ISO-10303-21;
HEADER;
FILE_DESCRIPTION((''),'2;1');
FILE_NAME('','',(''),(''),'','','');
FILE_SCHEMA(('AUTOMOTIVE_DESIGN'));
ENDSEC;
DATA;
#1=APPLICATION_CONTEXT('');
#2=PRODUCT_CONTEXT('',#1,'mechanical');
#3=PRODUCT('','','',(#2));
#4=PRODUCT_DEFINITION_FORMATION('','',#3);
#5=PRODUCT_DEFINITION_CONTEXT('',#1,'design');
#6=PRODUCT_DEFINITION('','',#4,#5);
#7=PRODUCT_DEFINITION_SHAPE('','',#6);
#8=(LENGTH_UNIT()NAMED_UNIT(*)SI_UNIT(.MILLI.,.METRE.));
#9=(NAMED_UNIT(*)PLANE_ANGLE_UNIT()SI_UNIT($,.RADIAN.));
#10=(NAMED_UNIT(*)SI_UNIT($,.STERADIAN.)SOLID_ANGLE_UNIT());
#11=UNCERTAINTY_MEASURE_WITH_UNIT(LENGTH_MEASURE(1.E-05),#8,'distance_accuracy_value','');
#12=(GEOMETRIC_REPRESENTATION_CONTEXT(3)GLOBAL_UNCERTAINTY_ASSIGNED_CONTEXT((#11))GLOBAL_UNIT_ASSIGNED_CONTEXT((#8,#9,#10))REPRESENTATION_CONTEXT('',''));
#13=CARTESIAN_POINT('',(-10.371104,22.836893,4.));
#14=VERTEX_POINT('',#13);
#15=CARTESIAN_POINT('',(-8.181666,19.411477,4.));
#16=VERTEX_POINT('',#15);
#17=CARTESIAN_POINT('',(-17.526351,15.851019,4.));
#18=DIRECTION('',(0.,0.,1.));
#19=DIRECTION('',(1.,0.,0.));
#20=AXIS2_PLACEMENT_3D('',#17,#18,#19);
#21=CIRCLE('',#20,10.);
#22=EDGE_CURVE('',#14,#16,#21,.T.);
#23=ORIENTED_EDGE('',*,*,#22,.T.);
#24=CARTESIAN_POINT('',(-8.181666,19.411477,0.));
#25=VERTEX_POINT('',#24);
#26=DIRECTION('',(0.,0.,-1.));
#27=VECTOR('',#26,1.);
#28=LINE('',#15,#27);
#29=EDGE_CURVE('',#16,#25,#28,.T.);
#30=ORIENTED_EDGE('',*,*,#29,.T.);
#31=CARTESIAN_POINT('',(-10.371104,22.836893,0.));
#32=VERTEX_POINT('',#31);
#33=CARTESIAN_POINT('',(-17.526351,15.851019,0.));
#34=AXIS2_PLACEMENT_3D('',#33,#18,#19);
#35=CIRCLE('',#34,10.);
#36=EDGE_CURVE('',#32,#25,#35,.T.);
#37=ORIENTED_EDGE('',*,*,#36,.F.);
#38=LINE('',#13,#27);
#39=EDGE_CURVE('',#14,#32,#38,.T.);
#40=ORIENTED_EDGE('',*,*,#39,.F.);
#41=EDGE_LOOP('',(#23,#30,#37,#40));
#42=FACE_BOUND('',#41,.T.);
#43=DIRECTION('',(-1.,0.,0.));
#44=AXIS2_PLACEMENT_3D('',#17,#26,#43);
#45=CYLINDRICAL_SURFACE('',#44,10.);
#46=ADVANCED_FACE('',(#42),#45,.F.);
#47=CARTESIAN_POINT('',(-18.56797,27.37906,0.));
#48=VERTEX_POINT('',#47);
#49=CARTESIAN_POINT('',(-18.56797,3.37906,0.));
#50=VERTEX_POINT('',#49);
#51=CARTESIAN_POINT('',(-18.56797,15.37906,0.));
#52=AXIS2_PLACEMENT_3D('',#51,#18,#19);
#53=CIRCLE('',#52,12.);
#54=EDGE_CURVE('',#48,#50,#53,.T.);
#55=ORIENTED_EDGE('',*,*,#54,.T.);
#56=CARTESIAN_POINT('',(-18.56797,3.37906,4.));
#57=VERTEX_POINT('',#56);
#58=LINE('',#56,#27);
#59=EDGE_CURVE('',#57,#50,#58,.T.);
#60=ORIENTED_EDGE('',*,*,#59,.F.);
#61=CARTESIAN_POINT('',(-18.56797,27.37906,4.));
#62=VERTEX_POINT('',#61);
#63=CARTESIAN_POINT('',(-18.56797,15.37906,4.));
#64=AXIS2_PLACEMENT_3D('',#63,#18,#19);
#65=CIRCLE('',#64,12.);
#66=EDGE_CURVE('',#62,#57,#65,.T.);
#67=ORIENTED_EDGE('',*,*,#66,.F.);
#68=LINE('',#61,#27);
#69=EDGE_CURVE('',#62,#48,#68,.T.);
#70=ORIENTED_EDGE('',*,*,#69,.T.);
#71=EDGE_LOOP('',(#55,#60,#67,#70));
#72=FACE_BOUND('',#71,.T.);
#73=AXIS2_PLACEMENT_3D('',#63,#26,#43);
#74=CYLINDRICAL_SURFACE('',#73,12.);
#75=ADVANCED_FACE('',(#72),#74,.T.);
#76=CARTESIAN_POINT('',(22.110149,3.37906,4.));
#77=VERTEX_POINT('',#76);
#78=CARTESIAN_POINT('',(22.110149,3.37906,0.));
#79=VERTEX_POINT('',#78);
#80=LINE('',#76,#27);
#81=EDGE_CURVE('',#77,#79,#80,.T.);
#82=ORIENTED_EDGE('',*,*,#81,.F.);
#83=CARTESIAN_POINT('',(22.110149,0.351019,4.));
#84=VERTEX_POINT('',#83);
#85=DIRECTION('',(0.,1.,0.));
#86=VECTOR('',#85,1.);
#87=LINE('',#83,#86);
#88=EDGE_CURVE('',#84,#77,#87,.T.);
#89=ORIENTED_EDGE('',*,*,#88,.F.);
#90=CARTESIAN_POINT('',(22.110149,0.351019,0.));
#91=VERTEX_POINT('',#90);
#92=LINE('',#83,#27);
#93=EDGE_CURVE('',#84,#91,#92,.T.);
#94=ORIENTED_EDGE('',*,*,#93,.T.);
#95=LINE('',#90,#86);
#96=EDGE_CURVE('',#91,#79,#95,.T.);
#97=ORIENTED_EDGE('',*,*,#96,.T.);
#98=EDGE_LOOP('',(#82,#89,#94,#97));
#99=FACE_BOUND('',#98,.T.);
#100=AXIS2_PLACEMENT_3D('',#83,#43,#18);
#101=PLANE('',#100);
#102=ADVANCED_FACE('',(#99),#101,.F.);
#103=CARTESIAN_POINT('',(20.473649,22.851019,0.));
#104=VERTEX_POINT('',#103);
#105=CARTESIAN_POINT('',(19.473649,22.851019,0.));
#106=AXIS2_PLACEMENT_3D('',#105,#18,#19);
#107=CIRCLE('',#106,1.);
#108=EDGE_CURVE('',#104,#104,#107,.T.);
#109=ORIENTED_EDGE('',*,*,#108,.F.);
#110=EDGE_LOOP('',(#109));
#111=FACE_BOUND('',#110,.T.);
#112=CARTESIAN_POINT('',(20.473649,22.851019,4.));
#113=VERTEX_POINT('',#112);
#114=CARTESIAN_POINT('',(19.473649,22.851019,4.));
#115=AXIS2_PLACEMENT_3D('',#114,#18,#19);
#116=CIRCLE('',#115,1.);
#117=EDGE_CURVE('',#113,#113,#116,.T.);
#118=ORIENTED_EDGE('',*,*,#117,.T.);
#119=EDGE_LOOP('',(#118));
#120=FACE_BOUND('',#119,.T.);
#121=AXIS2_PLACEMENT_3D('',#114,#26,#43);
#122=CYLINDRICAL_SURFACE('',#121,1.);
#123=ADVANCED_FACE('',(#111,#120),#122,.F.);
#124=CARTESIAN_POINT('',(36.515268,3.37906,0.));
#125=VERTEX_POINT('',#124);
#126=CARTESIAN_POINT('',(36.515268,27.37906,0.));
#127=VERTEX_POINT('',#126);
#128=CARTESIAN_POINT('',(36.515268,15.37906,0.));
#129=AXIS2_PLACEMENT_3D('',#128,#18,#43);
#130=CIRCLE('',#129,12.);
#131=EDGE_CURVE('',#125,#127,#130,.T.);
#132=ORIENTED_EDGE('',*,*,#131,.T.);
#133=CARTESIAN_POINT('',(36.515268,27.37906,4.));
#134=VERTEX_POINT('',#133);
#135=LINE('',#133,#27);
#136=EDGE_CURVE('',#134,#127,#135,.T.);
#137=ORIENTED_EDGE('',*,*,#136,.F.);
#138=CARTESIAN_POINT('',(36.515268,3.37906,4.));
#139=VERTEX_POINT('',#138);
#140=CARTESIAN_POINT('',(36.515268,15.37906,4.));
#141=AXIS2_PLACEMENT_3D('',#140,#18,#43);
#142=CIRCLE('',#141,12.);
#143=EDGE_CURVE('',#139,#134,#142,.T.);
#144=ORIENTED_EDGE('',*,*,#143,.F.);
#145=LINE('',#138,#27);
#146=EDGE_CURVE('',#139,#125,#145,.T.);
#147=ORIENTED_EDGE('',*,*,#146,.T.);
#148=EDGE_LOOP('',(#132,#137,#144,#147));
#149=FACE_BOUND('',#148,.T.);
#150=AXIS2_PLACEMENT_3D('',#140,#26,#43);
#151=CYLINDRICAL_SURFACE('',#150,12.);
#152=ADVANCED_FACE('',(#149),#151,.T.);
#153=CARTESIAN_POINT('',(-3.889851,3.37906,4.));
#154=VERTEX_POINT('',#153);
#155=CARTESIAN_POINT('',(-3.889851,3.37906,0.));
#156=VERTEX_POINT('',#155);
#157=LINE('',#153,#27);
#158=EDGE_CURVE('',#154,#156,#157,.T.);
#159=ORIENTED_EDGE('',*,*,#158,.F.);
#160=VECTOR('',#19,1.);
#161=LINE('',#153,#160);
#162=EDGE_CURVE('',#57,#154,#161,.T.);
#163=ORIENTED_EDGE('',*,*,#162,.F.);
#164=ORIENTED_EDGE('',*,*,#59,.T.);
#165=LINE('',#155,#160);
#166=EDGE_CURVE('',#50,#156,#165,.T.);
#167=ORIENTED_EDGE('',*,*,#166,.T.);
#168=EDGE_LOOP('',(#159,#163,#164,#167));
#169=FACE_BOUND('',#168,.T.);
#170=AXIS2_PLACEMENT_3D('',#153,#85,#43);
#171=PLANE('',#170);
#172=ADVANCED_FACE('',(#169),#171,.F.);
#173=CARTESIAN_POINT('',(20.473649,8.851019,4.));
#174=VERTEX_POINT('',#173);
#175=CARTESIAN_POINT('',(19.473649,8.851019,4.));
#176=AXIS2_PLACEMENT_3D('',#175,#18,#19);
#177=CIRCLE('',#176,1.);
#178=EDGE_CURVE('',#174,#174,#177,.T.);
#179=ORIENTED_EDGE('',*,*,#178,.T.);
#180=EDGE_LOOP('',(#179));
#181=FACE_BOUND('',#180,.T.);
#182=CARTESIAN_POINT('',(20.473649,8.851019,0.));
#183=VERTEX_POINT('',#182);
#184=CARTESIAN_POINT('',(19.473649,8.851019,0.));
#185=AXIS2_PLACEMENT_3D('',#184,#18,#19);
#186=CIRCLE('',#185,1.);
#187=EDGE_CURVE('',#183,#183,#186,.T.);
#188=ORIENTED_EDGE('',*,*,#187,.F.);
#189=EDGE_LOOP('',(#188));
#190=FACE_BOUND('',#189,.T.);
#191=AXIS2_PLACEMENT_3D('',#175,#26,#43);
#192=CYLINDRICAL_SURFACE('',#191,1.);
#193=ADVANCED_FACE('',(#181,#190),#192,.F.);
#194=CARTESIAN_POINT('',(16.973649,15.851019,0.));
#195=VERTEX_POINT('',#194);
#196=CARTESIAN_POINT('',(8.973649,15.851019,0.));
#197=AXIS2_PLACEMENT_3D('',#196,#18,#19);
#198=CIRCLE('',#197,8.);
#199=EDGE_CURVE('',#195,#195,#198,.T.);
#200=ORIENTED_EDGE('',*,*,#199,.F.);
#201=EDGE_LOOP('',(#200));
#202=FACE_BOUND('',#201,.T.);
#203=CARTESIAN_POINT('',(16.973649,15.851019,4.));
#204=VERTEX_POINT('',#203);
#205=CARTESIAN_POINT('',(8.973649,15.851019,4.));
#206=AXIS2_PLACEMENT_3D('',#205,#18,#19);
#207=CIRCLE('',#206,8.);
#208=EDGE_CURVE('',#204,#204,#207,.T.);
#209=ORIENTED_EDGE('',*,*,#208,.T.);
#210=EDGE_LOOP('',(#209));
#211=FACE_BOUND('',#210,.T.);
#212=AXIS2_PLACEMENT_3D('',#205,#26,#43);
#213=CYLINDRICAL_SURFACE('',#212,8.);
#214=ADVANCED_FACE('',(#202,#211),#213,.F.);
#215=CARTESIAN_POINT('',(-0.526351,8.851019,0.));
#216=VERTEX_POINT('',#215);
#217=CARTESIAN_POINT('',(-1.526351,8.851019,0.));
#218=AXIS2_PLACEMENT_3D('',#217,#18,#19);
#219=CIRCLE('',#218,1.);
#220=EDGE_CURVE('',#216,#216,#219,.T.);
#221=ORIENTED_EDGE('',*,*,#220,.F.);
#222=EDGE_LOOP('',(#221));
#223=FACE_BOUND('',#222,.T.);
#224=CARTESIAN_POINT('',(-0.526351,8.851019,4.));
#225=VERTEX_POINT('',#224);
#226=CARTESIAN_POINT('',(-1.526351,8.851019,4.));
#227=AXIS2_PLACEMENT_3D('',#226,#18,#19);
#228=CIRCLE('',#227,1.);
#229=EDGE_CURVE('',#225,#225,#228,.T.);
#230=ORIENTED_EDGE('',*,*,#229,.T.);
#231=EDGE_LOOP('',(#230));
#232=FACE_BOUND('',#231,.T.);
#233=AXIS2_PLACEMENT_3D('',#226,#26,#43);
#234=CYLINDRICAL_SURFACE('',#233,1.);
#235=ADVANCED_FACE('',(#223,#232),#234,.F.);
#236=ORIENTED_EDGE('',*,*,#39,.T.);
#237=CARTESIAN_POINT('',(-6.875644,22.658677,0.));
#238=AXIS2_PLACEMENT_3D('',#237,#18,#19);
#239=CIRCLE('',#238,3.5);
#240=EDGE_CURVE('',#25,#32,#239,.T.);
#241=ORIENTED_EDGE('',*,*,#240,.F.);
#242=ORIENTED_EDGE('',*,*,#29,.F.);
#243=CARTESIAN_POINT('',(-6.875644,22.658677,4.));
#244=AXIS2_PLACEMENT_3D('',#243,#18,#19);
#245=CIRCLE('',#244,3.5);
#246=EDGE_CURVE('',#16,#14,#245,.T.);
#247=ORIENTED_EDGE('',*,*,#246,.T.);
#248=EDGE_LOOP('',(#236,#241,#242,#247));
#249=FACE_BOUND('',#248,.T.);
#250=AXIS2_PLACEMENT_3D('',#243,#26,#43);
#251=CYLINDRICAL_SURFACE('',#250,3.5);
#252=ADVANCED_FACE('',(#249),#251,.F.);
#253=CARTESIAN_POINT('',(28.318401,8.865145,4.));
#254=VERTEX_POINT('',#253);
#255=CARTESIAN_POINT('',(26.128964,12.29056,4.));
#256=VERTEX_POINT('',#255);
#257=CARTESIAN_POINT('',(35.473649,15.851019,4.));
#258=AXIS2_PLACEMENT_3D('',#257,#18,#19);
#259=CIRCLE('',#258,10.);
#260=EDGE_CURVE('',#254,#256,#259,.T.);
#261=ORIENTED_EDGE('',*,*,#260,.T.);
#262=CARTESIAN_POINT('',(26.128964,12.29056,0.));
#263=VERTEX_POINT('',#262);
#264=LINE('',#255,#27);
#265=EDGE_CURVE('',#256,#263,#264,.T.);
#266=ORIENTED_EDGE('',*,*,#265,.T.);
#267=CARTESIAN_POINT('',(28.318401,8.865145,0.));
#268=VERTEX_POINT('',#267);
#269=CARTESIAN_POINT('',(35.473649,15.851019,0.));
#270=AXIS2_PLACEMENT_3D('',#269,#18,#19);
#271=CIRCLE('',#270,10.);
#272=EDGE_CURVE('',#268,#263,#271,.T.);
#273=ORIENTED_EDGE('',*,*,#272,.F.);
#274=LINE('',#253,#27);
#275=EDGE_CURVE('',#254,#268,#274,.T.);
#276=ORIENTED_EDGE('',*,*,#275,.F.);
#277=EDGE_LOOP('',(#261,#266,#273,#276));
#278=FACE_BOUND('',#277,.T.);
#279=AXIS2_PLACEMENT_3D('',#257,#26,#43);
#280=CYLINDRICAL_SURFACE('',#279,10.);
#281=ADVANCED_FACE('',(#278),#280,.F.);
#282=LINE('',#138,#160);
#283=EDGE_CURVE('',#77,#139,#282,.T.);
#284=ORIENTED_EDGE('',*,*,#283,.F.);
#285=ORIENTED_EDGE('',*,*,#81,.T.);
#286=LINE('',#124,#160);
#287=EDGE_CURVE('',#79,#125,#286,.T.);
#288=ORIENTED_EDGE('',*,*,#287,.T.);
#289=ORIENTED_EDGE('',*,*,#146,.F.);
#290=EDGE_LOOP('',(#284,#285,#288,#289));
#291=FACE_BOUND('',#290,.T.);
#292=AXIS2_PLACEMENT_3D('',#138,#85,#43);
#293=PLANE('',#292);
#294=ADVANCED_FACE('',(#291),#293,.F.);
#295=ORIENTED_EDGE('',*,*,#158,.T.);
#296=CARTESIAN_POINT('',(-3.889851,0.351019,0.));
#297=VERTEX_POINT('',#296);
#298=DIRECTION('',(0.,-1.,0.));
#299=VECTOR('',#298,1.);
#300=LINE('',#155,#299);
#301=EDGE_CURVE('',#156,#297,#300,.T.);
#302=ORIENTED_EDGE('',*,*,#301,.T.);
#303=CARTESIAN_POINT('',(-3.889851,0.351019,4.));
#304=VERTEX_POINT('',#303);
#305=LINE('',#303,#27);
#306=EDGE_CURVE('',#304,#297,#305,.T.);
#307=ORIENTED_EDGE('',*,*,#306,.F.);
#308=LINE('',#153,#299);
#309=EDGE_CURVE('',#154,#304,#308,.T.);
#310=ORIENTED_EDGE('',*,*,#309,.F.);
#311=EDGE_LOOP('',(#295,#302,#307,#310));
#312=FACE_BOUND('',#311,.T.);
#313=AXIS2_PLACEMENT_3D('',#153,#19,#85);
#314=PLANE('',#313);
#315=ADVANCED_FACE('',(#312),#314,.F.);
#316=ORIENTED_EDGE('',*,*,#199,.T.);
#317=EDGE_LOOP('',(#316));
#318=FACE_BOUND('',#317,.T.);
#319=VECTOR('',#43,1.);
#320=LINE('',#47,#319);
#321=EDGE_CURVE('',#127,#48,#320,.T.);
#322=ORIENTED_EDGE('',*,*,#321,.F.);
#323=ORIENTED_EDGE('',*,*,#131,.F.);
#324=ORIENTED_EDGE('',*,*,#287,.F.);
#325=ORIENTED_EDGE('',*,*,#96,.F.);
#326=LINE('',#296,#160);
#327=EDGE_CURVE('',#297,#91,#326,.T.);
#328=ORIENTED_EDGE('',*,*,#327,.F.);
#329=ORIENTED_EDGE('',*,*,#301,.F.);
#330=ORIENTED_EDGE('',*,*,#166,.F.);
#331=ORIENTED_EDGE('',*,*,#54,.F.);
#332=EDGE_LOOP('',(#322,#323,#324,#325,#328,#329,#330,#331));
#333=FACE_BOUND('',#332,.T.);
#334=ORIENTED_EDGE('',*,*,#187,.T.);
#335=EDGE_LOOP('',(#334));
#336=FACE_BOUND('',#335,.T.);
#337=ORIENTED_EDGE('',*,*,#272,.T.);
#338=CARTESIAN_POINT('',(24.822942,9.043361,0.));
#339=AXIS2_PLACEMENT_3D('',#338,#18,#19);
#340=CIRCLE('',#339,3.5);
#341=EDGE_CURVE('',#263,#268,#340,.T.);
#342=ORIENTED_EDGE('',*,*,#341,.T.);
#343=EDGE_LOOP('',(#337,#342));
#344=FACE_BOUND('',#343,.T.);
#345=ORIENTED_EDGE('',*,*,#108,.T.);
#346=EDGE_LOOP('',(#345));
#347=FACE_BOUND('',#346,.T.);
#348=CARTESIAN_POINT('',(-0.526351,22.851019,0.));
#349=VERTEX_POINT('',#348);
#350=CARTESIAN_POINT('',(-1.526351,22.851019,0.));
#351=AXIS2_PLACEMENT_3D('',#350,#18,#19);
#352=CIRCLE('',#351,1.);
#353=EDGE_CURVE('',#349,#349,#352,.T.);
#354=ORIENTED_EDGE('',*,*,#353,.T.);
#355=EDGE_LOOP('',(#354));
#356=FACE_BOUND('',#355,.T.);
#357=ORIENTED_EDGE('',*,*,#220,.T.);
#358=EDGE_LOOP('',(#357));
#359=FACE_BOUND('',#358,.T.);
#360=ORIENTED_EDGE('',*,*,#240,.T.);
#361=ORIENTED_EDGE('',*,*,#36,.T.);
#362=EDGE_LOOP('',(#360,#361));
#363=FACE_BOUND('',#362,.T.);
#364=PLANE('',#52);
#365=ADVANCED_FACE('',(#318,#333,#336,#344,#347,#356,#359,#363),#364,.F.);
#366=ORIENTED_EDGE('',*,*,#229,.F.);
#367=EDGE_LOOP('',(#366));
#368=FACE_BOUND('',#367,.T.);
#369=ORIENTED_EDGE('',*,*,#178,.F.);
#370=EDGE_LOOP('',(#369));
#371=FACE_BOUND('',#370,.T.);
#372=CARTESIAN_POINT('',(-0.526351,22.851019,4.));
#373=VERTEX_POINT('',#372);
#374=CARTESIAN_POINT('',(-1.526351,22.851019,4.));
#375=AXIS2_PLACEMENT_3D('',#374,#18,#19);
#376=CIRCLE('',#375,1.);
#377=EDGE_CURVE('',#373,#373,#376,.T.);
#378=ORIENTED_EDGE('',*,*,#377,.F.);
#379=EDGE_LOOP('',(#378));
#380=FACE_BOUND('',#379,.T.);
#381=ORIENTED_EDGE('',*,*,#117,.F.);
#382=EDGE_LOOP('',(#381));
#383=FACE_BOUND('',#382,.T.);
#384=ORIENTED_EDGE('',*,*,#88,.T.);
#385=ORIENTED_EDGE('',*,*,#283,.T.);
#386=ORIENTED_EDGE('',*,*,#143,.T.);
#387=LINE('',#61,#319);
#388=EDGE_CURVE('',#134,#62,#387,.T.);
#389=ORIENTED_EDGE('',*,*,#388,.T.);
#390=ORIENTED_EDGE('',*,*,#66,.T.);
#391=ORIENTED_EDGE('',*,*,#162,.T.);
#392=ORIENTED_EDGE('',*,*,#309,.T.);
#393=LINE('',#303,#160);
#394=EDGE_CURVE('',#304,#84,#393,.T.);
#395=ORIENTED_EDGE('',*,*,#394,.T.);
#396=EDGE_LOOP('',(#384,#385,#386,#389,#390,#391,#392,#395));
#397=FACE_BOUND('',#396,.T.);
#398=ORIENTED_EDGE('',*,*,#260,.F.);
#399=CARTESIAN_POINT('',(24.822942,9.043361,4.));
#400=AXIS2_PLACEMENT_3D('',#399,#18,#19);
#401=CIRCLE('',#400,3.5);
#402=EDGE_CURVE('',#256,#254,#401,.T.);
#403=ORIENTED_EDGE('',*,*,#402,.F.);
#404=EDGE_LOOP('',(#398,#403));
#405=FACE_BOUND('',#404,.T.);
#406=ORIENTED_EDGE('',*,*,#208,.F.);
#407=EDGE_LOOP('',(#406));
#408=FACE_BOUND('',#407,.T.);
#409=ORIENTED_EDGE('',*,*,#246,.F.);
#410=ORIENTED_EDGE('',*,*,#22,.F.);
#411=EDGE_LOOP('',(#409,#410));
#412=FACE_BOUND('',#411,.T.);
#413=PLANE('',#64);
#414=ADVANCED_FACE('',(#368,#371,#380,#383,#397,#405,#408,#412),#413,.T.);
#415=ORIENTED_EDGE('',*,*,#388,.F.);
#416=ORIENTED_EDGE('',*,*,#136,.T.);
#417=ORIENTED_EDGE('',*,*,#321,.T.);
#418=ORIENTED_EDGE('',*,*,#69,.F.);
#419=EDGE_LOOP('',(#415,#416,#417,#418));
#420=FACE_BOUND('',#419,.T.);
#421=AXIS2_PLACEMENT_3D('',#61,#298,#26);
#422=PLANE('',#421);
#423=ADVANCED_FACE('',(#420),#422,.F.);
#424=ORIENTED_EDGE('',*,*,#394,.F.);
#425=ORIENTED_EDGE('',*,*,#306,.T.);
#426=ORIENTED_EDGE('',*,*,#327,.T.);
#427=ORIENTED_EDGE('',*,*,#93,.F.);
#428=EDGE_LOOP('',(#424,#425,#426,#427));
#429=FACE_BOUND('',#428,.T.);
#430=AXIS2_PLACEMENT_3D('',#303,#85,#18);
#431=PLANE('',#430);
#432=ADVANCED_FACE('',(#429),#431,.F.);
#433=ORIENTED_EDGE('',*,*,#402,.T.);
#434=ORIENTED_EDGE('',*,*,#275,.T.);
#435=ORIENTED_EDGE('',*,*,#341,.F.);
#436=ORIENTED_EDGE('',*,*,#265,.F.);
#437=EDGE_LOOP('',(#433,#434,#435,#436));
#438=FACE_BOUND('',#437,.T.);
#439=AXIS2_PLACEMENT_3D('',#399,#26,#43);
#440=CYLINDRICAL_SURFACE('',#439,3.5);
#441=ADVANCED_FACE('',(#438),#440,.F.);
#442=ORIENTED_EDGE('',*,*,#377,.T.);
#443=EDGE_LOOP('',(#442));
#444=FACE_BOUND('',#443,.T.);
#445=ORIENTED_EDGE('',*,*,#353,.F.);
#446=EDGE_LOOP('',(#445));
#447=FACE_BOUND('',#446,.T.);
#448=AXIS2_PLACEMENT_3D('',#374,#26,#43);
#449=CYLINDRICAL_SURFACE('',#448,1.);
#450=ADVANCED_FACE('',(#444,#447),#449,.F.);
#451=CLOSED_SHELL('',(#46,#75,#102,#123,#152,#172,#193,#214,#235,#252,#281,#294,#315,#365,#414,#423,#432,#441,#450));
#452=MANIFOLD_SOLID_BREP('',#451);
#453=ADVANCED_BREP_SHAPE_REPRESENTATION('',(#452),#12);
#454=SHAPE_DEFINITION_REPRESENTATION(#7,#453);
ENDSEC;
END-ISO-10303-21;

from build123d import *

# Parameters (mm, degrees)
SKETCH2_R           = 1
SKETCH2_R_2         = 8
BOSS_EXTRUDE2_DEPTH = 4


with BuildPart() as part:
    # Sketch2 → Boss-Extrude2 (new body)
    with BuildSketch(Plane.XY):
        with BuildLine():
            Line((-18.567970323, 27.379059863), (36.515267991, 27.379059863))
            ThreePointArc((36.515267991, 27.379059863), (48.515267991, 15.379059863), (36.515267991, 3.379059863))
            Line((36.515267991, 3.379059863), (22.110149126, 3.379059863))
            Line((22.110149126, 3.379059863), (22.110149126, 0.351018879))
            Line((22.110149126, 0.351018879), (-3.889850874, 0.351018879))
            Line((-3.889850874, 0.351018879), (-3.889850874, 3.379059863))
            Line((-3.889850874, 3.379059863), (-18.567970323, 3.379059863))
            ThreePointArc((-18.567970323, 3.379059863), (-30.567970323, 15.379059863), (-18.567970323, 27.379059863))
        make_face()
        with Locations((-1.526351166, 22.851018879)):
            Circle(SKETCH2_R, mode=Mode.SUBTRACT)
        with Locations((19.473648834, 22.851018879)):
            Circle(SKETCH2_R, mode=Mode.SUBTRACT)
        with Locations((-1.526351166, 8.851018879)):
            Circle(SKETCH2_R, mode=Mode.SUBTRACT)
        with Locations((19.473648834, 8.851018879)):
            Circle(SKETCH2_R, mode=Mode.SUBTRACT)
        with Locations((8.973648834, 15.851018879)):
            Circle(SKETCH2_R_2, mode=Mode.SUBTRACT)
        with BuildLine():
            ThreePointArc((-10.371103668, 22.836892714), (-25.952222618, 10.465418608), (-8.181666286, 19.411477345))
            ThreePointArc((-8.181666286, 19.411477345), (-3.926588869, 24.543637074), (-10.371103668, 22.836892714))
        make_face(mode=Mode.SUBTRACT)
        with BuildLine():
            ThreePointArc((28.318401336, 8.865145043), (43.899520286, 21.236619149), (26.128963954, 12.290560412))
            ThreePointArc((26.128963954, 12.290560412), (21.873886537, 7.158400683), (28.318401336, 8.865145043))
        make_face(mode=Mode.SUBTRACT)
    extrude(amount=BOSS_EXTRUDE2_DEPTH)


solid = part.part
